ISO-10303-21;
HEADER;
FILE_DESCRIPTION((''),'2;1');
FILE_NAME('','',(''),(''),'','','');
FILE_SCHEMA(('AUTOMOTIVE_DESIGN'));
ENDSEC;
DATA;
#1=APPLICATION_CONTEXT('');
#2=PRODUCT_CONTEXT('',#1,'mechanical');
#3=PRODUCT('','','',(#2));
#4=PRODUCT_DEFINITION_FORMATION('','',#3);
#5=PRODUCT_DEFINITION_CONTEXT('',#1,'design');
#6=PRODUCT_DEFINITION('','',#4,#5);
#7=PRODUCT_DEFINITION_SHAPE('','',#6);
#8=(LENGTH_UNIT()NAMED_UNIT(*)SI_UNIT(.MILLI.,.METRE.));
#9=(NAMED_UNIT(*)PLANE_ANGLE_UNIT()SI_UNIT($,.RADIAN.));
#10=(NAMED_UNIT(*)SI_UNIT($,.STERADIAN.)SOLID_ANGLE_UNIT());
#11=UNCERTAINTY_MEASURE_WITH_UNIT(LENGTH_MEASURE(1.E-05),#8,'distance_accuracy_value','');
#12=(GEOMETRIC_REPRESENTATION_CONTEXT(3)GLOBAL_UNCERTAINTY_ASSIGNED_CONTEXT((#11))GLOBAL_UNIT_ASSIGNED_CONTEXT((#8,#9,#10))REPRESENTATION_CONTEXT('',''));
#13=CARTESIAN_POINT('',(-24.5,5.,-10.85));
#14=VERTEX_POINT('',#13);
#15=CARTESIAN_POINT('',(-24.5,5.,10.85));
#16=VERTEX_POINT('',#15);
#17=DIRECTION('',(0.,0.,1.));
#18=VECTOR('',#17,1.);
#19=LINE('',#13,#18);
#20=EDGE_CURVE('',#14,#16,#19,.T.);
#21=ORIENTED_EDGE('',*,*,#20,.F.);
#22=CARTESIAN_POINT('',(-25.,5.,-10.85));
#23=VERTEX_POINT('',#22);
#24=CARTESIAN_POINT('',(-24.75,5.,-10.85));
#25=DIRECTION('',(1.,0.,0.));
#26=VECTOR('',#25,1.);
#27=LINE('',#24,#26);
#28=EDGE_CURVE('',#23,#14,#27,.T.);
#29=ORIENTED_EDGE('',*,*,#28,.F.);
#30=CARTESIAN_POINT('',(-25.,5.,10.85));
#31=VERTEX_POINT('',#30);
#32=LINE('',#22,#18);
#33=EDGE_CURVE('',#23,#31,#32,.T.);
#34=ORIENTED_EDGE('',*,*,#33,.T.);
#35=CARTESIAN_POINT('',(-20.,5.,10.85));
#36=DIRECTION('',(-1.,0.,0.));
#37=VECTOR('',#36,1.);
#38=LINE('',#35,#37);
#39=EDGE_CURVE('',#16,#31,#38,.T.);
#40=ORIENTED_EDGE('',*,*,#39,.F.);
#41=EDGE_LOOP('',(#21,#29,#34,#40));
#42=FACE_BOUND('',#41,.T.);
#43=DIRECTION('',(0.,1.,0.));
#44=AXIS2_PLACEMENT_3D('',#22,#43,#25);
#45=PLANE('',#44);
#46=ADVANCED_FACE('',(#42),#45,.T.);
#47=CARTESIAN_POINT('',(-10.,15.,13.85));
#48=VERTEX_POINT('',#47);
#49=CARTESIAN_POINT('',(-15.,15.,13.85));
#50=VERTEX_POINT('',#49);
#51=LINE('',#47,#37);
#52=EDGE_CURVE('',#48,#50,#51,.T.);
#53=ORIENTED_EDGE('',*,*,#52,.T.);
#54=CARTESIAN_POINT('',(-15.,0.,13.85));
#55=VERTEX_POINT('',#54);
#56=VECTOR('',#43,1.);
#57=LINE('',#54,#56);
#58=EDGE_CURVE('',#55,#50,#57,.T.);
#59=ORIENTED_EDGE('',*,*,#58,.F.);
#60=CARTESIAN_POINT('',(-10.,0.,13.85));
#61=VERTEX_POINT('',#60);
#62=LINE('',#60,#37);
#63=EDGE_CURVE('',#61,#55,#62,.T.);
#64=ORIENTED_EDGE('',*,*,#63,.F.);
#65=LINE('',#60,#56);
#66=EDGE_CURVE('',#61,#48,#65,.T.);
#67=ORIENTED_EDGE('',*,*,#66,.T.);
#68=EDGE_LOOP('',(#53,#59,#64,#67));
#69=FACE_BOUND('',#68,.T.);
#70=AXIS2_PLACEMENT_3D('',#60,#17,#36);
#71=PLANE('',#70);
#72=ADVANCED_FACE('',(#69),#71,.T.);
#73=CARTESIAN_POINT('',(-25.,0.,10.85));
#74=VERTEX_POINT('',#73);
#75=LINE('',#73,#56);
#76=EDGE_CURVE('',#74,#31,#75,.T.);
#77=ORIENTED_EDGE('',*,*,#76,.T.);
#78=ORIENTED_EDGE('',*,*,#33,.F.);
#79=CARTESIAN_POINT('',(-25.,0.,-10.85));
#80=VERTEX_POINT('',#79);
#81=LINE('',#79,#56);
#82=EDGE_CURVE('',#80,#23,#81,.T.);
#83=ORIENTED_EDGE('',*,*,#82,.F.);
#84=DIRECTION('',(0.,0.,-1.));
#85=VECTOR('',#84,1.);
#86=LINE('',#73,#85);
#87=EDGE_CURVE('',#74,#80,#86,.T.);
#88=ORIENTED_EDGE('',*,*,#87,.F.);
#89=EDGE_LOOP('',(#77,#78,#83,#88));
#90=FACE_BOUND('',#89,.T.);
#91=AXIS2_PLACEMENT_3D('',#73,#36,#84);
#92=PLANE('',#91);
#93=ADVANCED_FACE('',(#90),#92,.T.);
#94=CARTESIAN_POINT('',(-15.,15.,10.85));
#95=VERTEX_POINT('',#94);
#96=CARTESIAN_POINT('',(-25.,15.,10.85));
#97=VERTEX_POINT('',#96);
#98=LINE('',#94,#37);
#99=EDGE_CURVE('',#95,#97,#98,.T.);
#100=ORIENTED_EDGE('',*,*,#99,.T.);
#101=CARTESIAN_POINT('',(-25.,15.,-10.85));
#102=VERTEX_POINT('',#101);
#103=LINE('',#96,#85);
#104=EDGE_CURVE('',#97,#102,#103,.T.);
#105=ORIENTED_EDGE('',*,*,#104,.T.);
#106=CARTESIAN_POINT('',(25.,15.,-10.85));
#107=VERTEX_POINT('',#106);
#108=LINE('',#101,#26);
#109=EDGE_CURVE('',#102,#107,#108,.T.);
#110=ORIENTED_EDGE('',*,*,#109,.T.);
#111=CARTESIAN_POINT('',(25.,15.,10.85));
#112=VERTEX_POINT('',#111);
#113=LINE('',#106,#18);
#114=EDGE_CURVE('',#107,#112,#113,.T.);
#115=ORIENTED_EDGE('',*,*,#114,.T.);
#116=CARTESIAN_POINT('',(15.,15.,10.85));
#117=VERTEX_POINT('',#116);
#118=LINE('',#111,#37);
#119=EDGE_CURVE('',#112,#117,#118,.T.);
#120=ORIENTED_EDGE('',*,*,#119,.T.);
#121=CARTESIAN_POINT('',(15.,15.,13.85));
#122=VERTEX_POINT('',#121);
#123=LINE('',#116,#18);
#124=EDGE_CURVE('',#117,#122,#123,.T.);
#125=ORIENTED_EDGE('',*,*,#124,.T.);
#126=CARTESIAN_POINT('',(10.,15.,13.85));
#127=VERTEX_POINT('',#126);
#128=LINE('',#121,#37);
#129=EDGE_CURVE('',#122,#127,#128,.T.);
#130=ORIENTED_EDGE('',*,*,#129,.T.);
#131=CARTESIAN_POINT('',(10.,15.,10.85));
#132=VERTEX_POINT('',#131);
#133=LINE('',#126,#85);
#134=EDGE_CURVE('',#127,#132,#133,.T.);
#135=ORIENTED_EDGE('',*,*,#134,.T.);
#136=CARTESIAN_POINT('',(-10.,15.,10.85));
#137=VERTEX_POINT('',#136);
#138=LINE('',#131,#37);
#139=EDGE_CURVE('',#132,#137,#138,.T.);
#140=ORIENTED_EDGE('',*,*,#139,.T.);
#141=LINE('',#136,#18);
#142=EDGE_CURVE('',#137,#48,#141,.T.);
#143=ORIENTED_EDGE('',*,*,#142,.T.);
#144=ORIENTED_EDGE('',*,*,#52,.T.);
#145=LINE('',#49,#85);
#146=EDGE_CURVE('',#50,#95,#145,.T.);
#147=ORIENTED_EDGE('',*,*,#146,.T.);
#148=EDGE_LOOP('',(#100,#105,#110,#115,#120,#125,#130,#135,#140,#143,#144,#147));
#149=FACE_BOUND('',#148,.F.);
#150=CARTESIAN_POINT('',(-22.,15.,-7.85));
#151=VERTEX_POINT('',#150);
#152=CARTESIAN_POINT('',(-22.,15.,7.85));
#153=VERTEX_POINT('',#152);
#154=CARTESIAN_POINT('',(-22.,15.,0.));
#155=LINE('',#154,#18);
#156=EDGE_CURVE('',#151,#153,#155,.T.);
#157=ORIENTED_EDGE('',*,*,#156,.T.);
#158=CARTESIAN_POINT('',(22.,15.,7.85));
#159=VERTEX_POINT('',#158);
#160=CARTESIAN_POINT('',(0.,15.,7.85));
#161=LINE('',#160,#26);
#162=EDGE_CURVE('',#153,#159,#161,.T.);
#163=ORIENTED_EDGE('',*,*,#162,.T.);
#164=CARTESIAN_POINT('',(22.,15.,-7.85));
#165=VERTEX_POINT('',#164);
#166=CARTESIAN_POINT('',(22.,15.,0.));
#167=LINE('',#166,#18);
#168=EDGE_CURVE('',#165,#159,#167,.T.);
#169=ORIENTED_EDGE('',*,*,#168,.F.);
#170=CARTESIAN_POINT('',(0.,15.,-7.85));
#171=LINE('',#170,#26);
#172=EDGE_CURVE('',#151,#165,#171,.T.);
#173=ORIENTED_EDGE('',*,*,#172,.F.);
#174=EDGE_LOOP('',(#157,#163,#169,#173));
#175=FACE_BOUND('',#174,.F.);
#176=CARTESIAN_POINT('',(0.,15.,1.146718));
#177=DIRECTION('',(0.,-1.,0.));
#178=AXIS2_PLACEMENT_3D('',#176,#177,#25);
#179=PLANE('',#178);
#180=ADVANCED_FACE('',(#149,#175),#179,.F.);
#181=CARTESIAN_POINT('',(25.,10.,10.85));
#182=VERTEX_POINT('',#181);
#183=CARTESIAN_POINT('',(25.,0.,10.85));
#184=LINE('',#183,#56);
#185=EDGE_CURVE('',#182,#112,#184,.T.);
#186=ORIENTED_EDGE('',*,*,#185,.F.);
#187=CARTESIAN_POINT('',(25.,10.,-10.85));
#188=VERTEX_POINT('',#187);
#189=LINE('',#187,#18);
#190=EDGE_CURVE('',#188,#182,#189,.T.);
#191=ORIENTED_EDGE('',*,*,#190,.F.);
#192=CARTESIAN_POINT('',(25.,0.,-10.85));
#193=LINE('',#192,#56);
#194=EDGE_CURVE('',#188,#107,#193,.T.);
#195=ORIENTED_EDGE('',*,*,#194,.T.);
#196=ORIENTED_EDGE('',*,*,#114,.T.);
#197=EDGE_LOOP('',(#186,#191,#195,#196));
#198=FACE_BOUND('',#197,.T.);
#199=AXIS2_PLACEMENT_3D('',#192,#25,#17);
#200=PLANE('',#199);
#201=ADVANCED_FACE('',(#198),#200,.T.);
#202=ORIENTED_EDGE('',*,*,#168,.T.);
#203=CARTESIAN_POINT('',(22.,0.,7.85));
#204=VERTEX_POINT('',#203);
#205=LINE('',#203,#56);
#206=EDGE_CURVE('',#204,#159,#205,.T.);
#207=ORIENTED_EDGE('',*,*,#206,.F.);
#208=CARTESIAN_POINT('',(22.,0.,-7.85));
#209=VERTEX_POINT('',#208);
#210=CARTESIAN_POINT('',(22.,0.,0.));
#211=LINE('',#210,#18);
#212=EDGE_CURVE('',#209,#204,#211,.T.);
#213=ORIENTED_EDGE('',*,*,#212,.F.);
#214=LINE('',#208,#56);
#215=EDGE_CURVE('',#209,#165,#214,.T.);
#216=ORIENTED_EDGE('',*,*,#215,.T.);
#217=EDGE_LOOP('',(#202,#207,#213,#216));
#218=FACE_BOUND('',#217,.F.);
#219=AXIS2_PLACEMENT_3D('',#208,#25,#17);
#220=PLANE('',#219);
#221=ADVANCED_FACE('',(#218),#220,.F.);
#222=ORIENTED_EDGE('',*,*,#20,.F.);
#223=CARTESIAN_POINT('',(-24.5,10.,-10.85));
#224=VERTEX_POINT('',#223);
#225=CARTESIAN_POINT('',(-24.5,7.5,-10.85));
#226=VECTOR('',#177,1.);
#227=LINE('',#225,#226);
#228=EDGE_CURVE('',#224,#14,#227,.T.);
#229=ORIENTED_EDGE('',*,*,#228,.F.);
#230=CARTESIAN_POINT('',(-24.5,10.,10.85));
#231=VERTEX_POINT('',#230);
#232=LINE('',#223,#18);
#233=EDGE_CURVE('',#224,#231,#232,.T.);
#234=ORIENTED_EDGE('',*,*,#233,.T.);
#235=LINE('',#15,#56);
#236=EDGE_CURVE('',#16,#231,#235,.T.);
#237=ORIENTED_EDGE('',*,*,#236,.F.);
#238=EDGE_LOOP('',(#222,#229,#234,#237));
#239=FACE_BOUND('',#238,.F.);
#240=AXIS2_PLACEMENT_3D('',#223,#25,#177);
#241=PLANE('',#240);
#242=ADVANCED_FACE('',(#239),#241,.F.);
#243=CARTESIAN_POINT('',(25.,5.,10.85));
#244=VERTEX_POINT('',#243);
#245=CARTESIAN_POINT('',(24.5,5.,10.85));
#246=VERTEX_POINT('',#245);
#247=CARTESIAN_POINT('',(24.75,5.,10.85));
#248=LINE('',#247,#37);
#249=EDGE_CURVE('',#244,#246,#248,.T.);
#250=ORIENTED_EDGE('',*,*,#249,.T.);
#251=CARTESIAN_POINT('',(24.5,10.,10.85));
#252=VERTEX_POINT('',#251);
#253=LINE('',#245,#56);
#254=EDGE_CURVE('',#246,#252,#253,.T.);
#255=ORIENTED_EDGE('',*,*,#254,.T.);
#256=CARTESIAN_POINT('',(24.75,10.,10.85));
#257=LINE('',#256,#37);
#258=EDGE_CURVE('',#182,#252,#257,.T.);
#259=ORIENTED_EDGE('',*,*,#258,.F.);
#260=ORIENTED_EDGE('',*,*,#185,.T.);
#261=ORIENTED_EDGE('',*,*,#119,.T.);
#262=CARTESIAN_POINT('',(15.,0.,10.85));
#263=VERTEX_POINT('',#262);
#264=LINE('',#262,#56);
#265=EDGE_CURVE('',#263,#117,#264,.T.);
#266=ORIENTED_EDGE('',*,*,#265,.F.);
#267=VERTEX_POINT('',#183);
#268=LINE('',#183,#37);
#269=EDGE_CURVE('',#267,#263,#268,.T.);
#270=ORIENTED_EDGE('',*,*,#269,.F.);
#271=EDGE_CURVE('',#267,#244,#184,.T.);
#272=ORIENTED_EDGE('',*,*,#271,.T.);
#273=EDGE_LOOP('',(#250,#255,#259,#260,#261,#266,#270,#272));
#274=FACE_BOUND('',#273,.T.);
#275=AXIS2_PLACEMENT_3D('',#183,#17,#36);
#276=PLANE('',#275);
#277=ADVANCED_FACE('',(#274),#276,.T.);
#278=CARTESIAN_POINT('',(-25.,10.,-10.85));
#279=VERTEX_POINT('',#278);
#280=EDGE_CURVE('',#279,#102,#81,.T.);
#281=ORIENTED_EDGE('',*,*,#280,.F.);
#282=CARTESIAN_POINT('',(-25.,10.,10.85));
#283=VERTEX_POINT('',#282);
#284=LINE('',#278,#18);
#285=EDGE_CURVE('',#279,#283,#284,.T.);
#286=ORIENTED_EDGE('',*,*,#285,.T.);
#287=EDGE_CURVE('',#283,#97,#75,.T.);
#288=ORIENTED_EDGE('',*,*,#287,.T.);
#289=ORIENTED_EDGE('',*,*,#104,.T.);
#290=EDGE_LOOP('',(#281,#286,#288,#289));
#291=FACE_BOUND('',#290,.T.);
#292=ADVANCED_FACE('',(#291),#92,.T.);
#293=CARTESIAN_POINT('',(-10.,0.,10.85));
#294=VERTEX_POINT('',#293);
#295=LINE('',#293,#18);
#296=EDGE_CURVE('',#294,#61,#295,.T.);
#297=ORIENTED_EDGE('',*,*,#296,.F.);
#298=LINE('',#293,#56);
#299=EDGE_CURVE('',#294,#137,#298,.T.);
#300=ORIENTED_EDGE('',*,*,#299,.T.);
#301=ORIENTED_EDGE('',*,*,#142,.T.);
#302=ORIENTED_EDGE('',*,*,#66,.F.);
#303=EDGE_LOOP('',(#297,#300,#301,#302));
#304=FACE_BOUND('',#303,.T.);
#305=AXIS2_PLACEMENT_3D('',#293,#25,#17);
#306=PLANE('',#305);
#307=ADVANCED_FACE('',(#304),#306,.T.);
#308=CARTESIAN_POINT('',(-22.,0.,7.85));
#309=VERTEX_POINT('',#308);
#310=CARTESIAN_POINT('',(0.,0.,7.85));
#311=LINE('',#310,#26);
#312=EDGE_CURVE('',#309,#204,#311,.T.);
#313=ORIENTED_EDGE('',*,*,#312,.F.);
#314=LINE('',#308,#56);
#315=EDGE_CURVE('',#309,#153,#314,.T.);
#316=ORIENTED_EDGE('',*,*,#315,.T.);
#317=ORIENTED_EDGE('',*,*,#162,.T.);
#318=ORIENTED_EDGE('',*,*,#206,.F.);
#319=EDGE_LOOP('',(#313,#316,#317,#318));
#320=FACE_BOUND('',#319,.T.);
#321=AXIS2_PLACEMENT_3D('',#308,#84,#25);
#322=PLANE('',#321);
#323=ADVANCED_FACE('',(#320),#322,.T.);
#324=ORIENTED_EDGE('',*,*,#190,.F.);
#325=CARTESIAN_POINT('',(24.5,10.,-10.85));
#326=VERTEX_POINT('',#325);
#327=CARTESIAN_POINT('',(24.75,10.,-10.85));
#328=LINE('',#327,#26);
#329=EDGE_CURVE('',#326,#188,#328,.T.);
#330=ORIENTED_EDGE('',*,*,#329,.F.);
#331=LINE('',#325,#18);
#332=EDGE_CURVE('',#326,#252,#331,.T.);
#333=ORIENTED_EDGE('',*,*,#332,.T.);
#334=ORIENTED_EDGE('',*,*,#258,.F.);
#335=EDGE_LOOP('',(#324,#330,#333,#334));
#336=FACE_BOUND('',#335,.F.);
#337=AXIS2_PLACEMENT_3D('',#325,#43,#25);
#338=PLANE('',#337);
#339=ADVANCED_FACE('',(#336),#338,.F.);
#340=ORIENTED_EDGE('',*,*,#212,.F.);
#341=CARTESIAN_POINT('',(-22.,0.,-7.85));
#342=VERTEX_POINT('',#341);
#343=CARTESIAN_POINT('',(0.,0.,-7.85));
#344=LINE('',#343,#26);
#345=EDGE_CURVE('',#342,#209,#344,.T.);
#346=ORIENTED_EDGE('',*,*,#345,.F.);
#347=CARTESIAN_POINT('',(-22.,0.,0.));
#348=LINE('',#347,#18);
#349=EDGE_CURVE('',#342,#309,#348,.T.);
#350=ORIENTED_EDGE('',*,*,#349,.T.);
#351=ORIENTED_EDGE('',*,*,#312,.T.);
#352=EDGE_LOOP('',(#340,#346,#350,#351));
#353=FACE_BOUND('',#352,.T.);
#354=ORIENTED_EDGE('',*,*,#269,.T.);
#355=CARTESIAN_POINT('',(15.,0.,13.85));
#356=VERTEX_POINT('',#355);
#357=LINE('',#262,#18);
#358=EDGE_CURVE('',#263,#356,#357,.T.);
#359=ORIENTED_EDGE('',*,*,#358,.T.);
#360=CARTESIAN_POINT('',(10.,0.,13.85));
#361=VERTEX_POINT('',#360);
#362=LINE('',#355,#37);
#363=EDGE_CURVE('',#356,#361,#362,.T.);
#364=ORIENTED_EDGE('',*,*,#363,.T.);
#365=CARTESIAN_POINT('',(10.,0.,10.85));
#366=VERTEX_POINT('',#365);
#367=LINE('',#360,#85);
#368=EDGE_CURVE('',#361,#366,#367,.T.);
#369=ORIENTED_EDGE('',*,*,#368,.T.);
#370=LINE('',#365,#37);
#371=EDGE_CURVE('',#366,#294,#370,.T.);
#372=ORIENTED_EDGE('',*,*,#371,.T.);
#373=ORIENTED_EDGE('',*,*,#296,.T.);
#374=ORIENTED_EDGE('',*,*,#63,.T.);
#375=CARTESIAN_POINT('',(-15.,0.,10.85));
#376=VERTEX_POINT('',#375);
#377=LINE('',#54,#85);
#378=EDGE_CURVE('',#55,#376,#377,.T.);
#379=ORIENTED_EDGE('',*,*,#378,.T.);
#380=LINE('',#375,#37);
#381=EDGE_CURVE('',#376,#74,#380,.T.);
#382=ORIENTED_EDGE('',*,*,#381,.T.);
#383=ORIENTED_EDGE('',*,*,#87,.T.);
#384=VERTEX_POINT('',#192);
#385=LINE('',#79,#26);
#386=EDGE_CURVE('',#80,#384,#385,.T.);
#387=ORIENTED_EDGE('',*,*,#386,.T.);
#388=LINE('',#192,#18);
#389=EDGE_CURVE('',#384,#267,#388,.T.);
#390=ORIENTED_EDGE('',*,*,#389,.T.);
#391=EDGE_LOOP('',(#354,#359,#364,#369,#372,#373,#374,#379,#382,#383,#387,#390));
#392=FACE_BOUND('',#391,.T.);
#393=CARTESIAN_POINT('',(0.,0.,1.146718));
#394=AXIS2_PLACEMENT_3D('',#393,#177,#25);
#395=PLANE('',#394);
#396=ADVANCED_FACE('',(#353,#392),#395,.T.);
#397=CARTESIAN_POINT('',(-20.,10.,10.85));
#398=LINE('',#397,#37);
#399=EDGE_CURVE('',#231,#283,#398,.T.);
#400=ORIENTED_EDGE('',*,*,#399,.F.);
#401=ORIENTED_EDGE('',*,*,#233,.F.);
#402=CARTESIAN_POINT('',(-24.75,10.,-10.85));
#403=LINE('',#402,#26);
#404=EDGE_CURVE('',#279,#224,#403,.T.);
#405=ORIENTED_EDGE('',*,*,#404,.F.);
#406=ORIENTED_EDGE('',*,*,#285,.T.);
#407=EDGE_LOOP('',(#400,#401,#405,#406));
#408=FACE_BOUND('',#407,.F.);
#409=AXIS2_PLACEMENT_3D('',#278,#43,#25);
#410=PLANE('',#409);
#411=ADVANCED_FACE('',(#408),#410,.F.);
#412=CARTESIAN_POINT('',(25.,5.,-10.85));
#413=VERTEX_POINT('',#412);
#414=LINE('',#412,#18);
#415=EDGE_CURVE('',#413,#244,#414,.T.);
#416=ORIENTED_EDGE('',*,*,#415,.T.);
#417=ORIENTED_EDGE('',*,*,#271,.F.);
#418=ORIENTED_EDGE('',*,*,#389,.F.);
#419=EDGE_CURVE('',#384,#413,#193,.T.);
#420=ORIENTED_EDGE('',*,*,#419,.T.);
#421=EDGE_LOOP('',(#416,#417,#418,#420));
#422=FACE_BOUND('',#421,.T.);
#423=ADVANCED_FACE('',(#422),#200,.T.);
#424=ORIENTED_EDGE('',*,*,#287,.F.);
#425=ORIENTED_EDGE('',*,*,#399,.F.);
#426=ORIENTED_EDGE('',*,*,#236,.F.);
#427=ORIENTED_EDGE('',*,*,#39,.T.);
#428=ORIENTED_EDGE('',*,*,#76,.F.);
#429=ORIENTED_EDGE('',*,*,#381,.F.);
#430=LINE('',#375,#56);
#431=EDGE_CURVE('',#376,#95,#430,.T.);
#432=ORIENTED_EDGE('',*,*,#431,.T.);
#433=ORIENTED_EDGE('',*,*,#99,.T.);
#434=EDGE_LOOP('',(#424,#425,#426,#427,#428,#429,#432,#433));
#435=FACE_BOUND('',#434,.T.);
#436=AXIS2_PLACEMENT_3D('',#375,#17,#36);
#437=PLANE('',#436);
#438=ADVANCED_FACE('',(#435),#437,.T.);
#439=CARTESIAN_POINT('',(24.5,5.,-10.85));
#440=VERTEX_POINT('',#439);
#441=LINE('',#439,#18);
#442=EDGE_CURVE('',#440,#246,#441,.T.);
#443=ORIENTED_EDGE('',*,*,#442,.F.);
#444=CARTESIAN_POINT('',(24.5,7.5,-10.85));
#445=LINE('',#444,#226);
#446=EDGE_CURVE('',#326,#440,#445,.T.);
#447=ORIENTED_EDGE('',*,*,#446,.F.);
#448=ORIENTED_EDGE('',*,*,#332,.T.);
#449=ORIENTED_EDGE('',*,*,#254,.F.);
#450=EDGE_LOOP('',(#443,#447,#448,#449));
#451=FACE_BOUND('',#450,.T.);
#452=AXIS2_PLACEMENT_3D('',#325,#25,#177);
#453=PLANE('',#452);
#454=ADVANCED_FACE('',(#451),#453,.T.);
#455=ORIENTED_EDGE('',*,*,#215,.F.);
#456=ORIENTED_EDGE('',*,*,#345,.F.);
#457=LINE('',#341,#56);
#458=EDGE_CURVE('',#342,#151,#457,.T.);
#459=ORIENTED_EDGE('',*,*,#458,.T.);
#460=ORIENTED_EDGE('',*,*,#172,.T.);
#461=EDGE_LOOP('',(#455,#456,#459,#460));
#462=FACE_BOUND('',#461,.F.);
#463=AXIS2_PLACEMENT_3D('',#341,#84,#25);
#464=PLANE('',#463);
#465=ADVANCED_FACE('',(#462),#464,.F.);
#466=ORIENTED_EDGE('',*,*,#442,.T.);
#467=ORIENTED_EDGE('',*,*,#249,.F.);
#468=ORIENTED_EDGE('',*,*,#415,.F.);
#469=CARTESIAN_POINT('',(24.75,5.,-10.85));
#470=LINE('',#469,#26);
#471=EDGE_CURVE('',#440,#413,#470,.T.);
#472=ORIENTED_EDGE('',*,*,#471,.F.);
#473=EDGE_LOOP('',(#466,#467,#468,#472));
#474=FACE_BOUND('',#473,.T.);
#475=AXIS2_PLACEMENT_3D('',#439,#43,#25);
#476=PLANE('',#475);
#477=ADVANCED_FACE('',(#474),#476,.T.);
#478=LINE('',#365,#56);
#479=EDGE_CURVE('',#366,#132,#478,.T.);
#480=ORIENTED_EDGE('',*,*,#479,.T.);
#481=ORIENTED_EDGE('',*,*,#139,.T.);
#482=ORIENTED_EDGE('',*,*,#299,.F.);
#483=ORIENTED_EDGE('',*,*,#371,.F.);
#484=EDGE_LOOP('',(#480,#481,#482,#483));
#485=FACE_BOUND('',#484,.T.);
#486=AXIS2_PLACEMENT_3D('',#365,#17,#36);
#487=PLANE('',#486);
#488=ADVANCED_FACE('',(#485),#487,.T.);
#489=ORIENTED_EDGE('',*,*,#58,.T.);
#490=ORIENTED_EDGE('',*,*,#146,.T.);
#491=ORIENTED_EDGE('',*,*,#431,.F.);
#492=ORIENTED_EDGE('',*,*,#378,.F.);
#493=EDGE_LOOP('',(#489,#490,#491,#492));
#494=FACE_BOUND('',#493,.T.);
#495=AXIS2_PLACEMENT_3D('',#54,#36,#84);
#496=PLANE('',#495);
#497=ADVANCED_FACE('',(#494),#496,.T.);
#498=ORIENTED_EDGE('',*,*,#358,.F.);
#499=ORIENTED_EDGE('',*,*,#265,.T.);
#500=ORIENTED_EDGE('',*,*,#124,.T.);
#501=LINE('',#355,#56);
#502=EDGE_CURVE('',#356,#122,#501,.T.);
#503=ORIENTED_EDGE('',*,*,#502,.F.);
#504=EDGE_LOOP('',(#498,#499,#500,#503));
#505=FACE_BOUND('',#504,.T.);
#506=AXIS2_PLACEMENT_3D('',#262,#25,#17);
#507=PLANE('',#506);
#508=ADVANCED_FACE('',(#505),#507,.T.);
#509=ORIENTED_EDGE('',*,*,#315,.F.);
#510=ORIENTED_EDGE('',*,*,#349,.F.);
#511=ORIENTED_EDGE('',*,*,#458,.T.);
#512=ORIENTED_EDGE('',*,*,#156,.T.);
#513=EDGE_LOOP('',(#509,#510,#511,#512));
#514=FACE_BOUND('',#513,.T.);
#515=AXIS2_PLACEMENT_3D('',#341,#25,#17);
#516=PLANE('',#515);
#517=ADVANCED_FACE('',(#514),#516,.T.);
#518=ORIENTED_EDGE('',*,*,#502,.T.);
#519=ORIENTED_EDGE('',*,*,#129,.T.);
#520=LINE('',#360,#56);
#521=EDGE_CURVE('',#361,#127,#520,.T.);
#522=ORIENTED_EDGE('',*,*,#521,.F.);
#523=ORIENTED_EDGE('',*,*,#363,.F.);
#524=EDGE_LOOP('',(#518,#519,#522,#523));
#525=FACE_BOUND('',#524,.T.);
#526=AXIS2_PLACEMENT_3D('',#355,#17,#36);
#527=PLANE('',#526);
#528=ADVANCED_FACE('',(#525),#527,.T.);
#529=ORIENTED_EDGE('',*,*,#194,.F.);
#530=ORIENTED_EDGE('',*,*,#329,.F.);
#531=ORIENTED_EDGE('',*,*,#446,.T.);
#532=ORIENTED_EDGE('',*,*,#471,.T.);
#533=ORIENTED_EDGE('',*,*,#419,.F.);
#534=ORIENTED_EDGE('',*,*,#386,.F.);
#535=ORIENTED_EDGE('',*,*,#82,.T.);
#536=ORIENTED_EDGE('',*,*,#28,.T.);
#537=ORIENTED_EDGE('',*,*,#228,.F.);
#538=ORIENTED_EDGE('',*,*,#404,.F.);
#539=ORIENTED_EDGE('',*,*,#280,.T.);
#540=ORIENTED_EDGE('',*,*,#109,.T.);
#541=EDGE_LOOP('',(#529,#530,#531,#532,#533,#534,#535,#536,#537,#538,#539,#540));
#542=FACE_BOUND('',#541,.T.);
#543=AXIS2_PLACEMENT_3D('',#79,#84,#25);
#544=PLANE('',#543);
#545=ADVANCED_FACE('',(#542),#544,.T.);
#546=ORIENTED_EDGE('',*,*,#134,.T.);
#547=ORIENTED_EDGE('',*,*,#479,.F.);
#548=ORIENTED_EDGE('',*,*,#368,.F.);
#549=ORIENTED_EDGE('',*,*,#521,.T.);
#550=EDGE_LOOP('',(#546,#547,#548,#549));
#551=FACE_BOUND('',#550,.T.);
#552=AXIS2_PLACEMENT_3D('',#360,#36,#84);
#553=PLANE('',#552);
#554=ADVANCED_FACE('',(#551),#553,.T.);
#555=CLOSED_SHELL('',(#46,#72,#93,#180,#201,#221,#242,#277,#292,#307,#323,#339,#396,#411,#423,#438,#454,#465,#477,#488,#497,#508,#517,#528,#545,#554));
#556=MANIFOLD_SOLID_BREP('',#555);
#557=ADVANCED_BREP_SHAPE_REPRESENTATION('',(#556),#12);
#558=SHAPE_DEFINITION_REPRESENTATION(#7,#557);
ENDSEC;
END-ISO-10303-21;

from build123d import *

# Parameters (mm, degrees)
F0_W     = 44
F0_H     = 15.7
F1_DEPTH = 15
F2_W     = 0.5
F2_H     = 5
F3_DEPTH = 25


with BuildPart() as f1:
    # F0 (on Front) → F1 (new body)
    with BuildSketch(Plane.XZ):
        Polygon((-15, 10.85), (-25, 10.85), (-25, -10.85), (25, -10.85), (25, 10.85), (15, 10.85), (15, 13.85), (10, 13.85), (10, 10.85), (-10, 10.85), (-10, 13.85), (-15, 13.85), align=None)
        Rectangle(F0_W, F0_H, mode=Mode.SUBTRACT)
    extrude(amount=-F1_DEPTH)

    # F2 (on face) → F3 (cut)
    with BuildSketch(Plane(origin=(0, 0, -10.85), x_dir=(1, 0, 0), z_dir=(0, 0, -1))):
        with Locations((-24.75, -7.5)):
            Rectangle(F2_W, F2_H)
        with Locations((24.75, -7.5)):
            Rectangle(F2_W, F2_H)
    extrude(amount=-F3_DEPTH, mode=Mode.SUBTRACT)


solid = f1.part
